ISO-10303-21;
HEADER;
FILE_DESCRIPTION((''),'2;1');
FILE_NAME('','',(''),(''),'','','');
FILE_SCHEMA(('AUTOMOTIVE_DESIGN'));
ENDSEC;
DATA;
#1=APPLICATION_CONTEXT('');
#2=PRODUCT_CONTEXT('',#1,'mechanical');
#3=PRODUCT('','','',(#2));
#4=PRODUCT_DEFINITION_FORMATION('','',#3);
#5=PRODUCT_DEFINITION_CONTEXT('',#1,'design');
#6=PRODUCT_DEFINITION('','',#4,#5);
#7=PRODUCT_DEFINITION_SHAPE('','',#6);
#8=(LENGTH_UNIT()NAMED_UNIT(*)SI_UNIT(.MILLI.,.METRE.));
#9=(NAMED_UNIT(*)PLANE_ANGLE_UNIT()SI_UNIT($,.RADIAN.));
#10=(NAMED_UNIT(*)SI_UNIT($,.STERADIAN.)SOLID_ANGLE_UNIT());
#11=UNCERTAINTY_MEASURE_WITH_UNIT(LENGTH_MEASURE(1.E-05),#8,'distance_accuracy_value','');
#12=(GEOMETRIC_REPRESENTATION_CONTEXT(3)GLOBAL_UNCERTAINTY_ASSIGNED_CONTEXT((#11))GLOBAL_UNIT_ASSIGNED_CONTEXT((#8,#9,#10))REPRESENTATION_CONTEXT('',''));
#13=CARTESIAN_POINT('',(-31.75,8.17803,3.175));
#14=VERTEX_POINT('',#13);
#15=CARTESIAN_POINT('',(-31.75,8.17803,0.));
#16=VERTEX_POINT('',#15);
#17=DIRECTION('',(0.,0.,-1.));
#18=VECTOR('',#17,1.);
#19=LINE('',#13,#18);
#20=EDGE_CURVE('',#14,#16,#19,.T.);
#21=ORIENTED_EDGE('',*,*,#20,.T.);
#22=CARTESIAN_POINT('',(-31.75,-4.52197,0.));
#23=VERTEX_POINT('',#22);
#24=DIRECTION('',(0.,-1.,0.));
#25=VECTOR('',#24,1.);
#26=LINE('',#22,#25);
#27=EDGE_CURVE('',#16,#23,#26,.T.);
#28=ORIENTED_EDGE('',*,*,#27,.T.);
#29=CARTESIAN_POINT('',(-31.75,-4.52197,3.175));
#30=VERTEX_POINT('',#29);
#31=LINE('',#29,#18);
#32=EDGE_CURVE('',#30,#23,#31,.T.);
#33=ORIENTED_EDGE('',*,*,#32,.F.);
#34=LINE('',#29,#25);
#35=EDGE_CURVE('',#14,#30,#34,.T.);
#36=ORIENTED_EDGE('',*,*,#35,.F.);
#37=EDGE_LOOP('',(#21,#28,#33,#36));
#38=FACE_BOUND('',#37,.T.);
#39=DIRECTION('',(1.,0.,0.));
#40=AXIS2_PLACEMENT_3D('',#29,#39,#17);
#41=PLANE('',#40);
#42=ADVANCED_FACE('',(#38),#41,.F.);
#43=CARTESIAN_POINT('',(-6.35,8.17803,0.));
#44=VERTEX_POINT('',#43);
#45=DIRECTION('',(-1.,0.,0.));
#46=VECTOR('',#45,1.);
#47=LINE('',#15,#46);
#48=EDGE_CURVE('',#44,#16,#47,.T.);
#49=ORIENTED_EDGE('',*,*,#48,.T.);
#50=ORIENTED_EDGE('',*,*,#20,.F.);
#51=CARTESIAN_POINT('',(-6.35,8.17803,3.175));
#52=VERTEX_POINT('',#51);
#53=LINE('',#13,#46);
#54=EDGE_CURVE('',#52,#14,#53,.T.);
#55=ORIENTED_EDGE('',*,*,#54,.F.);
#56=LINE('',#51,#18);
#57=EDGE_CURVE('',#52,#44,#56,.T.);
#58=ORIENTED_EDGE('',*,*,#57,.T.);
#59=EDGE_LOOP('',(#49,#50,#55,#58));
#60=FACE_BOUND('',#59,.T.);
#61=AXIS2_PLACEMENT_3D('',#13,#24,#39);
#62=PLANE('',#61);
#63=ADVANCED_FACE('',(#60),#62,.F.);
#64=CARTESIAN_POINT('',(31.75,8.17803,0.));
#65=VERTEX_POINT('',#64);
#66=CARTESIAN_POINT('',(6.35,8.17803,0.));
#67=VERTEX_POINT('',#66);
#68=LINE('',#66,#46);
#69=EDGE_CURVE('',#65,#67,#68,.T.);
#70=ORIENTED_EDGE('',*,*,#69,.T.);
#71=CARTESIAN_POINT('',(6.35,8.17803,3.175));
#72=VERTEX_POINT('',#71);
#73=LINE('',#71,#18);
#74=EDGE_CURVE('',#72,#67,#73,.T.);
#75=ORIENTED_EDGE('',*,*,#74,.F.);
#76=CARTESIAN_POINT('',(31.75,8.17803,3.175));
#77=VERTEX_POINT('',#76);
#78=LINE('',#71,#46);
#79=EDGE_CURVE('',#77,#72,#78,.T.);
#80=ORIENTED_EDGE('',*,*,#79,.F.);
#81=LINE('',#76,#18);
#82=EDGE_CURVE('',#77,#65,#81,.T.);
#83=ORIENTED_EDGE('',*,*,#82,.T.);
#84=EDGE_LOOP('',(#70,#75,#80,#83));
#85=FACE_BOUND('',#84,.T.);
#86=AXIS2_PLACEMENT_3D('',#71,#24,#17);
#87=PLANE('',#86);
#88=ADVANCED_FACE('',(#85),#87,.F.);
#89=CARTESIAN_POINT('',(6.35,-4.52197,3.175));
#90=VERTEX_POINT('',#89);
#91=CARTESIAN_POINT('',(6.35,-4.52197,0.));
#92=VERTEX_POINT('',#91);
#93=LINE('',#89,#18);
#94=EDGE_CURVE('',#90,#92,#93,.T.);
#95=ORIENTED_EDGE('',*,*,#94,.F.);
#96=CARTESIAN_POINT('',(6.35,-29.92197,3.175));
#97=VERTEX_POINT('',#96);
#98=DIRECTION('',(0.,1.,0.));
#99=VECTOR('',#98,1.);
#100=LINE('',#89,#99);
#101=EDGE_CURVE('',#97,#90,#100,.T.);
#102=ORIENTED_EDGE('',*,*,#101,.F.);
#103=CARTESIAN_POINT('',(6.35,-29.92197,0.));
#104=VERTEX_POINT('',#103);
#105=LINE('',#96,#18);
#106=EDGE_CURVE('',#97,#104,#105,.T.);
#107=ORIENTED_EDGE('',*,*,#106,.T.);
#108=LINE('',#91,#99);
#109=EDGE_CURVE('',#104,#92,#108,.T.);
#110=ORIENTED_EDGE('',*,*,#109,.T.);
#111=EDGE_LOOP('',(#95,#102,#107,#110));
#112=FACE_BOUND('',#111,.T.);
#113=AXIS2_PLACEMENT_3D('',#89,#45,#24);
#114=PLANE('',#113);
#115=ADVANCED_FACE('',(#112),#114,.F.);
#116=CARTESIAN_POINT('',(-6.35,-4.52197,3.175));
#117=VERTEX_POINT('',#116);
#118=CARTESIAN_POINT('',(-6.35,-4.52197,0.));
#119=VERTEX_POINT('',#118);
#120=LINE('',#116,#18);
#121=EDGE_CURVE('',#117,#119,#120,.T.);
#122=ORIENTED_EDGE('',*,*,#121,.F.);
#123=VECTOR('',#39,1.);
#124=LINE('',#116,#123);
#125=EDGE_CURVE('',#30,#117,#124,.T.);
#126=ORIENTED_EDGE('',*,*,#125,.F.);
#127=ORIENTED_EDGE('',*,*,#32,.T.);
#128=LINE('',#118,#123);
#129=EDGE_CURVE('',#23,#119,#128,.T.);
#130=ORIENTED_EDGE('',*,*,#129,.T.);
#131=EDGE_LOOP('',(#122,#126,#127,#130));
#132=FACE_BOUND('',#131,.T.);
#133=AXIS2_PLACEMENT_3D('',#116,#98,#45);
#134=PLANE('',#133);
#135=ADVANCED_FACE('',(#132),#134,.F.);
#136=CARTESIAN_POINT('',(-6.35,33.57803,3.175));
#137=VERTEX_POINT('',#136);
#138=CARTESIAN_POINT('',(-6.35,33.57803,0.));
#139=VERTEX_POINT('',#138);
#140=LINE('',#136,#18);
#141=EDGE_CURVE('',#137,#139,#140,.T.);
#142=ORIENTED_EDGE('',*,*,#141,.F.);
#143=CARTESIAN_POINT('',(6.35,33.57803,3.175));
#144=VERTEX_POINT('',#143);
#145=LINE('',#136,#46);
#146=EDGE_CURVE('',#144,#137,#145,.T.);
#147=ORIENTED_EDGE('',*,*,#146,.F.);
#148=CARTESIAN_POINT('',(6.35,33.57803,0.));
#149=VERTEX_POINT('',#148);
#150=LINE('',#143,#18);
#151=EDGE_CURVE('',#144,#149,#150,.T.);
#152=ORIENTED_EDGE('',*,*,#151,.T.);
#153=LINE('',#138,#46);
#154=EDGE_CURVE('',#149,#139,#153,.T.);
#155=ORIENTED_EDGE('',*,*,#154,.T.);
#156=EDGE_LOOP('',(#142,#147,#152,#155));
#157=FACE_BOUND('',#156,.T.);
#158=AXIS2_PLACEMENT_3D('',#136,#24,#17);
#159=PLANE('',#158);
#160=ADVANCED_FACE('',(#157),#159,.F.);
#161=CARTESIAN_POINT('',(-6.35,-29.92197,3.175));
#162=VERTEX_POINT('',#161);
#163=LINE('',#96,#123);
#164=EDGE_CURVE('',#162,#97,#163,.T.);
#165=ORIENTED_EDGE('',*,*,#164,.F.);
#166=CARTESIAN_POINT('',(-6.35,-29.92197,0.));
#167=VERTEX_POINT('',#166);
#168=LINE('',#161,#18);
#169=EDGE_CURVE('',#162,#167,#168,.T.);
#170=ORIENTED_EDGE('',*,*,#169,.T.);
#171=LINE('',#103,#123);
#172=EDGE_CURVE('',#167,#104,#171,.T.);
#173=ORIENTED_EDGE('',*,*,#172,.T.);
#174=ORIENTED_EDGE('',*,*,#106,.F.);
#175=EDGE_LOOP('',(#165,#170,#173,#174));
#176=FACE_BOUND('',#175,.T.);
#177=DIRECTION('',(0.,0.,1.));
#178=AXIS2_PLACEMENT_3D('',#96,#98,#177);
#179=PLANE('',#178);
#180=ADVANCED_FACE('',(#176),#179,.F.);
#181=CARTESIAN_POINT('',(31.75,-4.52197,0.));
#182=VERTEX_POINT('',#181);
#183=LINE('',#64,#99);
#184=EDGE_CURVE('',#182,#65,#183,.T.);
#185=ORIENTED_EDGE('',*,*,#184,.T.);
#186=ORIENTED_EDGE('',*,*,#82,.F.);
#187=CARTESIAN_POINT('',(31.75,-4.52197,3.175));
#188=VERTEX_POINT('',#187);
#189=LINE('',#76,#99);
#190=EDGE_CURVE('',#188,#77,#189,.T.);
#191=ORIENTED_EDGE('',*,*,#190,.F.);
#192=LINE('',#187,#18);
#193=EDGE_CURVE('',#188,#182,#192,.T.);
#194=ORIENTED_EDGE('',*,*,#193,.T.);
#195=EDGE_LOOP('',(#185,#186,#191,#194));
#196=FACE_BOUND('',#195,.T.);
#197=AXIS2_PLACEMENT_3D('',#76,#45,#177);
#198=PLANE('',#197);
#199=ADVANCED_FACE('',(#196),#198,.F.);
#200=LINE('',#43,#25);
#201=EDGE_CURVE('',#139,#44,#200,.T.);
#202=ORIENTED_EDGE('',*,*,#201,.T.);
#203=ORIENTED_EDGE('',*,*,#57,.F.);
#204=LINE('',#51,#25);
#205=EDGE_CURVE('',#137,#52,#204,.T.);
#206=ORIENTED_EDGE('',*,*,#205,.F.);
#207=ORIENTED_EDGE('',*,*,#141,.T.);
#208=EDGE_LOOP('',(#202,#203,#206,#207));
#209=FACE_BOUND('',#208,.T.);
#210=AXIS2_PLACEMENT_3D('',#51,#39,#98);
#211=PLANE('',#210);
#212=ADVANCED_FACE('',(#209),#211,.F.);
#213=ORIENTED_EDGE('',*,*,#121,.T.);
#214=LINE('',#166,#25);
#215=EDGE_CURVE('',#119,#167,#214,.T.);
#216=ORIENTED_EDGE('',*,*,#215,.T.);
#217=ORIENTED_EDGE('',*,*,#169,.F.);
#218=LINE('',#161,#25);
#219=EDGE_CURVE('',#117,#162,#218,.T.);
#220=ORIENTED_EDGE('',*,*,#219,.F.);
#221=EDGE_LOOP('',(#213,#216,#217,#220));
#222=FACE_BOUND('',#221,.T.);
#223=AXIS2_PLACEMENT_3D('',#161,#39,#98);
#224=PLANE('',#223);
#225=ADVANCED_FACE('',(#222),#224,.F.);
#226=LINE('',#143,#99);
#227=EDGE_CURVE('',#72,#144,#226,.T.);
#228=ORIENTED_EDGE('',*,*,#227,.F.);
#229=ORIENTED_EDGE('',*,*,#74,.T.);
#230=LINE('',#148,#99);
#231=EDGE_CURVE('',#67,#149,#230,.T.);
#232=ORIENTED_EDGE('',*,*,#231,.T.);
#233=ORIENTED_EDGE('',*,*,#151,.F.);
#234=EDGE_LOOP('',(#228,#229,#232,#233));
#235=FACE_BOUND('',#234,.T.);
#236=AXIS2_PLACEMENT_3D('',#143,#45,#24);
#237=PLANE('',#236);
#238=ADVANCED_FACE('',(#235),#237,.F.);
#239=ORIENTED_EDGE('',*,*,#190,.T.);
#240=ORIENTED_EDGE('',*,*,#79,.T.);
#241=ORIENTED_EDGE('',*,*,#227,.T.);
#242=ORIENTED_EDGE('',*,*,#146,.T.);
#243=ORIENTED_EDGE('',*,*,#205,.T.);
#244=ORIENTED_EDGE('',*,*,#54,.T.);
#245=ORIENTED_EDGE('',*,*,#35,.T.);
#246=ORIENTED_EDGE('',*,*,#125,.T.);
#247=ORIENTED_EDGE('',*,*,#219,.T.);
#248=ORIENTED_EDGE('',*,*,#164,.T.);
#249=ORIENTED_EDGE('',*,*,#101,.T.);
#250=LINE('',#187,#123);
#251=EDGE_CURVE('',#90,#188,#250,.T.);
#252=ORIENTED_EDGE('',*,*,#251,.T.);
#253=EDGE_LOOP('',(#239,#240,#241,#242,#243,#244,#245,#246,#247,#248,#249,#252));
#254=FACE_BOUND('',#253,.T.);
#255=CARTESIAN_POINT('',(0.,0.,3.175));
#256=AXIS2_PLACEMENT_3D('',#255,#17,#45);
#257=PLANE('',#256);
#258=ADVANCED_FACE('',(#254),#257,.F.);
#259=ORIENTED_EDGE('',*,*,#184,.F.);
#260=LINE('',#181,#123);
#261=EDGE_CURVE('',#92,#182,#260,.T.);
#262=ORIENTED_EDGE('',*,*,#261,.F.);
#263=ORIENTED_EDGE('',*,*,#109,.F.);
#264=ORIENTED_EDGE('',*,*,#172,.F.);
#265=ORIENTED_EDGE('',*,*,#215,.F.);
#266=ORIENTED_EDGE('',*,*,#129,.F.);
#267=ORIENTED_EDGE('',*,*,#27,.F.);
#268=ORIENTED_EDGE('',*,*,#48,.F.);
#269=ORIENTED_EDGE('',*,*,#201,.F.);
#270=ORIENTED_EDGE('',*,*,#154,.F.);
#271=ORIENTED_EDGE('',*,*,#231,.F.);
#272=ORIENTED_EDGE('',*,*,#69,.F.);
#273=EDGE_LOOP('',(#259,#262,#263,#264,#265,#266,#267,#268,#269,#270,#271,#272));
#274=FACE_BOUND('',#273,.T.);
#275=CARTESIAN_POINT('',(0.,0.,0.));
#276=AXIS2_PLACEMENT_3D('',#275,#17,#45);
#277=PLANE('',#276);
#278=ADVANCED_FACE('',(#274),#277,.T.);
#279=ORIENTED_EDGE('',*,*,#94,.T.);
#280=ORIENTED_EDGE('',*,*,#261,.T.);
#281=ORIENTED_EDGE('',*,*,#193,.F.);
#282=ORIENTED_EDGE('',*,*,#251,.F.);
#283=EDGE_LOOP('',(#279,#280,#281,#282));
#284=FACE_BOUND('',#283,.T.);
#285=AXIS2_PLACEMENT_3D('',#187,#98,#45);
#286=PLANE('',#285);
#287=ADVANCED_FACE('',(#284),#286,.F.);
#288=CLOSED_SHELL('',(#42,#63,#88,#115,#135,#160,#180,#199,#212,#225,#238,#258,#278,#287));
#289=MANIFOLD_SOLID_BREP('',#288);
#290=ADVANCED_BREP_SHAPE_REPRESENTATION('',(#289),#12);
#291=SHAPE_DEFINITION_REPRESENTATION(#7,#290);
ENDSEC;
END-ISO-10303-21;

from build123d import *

# Parameters (mm, degrees)
BOSS_EXTRUDE1_DEPTH = 3.175


with BuildPart() as part:
    # Sketch1 → Boss-Extrude1 (new body)
    with BuildSketch(Plane.XY):
        Polygon((-6.35, 33.578030303), (6.35, 33.578030303), (6.35, 8.178030303), (31.75, 8.178030303), (31.75, -4.521969697), (6.35, -4.521969697), (6.35, -29.921969697), (-6.35, -29.921969697), (-6.35, -4.521969697), (-31.75, -4.521969697), (-31.75, 8.178030303), (-6.35, 8.178030303), align=None)
    extrude(amount=BOSS_EXTRUDE1_DEPTH)


solid = part.part
